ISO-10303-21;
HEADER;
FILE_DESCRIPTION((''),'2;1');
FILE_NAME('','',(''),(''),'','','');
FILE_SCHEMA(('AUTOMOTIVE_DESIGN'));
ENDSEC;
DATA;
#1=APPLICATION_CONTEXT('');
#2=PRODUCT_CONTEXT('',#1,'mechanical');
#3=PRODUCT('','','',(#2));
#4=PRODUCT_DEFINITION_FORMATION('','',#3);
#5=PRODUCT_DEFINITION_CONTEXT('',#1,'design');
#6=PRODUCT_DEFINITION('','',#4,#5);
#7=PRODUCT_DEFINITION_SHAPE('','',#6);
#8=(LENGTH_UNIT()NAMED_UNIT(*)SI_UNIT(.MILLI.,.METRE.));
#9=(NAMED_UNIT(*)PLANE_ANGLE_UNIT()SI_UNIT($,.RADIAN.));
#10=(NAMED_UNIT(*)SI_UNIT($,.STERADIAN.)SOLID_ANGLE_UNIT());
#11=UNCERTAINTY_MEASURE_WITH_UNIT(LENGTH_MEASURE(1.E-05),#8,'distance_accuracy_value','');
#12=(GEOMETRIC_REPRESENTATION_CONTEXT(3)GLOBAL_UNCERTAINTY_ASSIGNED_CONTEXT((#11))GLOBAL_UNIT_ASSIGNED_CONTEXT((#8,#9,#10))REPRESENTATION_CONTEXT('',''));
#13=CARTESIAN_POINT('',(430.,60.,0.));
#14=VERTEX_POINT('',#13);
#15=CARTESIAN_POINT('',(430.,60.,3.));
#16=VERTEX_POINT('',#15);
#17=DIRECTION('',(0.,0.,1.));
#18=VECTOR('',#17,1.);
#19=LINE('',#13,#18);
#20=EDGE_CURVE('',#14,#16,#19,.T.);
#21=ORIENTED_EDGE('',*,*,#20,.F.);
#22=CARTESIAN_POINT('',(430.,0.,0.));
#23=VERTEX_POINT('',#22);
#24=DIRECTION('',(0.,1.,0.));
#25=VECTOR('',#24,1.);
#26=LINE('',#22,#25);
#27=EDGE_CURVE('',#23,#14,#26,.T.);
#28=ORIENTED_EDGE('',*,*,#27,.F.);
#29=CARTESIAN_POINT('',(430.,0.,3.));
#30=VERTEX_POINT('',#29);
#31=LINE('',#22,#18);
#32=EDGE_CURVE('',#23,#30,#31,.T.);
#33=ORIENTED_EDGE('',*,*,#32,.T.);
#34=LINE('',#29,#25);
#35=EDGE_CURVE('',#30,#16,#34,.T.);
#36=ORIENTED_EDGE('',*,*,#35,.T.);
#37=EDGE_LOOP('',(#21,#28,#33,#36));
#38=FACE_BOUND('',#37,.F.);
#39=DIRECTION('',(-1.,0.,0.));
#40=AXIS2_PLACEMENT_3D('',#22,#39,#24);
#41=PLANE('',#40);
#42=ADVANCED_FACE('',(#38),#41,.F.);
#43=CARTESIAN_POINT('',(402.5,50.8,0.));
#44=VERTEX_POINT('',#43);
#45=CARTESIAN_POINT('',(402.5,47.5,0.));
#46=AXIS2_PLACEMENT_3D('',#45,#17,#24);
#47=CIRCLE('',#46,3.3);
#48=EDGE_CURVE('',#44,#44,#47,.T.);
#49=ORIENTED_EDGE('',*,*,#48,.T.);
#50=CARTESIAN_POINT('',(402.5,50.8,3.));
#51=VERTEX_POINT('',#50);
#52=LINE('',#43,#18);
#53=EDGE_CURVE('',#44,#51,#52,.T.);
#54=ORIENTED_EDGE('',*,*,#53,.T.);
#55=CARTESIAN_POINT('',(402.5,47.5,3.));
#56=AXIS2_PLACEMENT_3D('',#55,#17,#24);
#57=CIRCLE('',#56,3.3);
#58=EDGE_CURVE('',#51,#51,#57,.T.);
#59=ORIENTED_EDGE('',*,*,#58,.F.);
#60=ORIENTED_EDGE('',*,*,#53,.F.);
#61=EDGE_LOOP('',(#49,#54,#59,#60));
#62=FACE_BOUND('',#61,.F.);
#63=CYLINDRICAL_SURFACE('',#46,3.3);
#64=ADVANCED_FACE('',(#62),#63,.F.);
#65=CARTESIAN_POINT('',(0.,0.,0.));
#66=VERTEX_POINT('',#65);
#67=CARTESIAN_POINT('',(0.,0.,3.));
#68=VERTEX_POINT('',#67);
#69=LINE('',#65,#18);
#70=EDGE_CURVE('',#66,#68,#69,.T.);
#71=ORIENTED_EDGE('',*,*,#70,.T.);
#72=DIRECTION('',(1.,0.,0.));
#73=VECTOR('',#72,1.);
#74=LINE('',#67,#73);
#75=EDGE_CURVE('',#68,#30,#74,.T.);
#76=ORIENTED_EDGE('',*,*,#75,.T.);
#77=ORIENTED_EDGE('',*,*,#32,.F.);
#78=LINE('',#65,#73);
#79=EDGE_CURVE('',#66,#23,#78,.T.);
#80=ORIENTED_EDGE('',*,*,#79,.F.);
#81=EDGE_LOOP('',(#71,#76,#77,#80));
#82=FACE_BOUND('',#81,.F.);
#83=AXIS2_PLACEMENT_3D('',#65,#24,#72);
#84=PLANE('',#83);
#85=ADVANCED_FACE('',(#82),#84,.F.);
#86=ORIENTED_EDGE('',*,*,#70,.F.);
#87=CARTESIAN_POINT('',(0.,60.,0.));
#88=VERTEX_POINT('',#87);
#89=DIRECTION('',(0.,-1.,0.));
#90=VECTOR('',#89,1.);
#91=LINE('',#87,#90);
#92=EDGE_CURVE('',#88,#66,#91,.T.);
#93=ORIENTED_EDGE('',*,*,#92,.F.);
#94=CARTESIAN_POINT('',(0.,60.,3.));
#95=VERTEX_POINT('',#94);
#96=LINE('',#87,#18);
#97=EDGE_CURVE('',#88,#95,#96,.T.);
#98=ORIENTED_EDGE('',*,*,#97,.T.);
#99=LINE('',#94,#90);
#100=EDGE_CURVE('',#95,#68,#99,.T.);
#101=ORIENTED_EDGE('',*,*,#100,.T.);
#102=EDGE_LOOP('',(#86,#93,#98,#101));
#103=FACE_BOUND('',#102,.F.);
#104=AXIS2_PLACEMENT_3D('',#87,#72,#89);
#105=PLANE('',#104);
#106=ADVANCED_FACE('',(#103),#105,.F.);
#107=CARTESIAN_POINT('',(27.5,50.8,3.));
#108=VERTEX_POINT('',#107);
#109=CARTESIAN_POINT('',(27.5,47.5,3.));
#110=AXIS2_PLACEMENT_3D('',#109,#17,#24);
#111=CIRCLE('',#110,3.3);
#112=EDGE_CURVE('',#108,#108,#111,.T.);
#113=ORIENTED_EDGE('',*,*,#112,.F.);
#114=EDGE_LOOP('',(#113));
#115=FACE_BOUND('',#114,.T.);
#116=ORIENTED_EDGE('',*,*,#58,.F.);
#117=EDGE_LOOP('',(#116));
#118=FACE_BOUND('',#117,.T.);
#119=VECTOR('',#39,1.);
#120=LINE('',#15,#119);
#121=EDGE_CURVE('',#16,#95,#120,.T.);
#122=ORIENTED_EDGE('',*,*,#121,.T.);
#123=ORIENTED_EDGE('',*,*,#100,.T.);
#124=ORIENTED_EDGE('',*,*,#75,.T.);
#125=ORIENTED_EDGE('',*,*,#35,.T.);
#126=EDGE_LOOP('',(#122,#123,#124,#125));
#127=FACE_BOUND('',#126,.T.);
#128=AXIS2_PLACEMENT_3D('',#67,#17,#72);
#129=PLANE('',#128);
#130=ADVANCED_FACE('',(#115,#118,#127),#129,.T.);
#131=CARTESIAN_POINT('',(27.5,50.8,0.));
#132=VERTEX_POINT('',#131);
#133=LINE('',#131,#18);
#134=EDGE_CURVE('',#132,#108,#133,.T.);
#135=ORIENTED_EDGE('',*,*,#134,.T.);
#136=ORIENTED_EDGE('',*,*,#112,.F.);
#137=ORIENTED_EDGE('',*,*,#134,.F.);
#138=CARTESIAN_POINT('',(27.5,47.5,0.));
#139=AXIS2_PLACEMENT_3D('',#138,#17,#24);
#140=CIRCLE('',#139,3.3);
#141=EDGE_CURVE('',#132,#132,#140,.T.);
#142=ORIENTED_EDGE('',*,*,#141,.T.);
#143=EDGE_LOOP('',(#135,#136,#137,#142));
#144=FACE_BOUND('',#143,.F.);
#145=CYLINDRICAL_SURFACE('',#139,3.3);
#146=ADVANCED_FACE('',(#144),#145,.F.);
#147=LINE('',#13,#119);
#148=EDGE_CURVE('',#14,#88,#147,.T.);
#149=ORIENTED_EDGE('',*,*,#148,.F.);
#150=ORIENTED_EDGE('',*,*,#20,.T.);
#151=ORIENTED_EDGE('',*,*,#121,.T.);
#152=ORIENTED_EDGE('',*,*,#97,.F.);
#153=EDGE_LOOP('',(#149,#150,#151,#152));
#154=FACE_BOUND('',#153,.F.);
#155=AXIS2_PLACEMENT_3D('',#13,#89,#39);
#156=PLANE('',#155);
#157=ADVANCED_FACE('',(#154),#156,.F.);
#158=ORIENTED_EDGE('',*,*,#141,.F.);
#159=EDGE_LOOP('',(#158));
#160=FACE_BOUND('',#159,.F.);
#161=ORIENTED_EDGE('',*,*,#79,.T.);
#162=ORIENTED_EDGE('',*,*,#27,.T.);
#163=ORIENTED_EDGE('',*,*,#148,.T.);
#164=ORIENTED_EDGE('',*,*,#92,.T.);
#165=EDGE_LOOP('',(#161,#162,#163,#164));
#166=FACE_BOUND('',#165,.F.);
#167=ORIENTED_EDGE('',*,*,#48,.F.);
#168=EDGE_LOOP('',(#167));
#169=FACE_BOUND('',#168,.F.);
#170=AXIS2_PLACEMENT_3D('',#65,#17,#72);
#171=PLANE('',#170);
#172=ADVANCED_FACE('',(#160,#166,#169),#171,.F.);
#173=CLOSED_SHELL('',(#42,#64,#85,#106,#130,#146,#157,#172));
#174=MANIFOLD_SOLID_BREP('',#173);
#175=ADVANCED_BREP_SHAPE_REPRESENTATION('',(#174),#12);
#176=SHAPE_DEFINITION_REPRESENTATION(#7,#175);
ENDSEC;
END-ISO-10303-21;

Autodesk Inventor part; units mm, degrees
ref_plane "YZ Plane" through (0, 0, 0) normal (1, 0, 0) x (0, 1, 0)
ref_plane "XZ Plane" through (0, 0, 0) normal (0, 1, 0) x (-1, 0, 0)
ref_plane "XY Plane" through (0, 0, 0) normal (0, 0, 1) x (1, 0, 0)
sketch "Sketch1" plane through (0, 0, 0) normal (0, 0, 1) x (1, 0, 0)
  line L0 (0, 0) -> (430, 0)
  line L1 (430, 0) -> (430, 60)
  line L2 (430, 60) -> (0, 60)
  line L3 (0, 60) -> (0, 0)
  line L4 (215, 44.8722) -> (215, 13.4403) construction
  point P0 (27.5, 47.5)
  point P1 (402.5, 47.5)
  point P2 (0, 30)
  dimension "d0" = 430
  dimension "d1" = 60
  dimension "d4" = 375
  dimension "d9" = 215
  dimension "d10" = 12.5
extrude "Extrusion1" add sketch "Sketch1" along normal blind 3
hole "Hole1" at (27.5, 47.5, 0) at (402.5, 47.5, 0) direction (0, 0, 1) diameter 6.6 end through all clearance for "Flat Head Machine Screw" size "M6" standard "Ansi Metric M Profile"
properties part number "light-trap-panel-bottom-front"
